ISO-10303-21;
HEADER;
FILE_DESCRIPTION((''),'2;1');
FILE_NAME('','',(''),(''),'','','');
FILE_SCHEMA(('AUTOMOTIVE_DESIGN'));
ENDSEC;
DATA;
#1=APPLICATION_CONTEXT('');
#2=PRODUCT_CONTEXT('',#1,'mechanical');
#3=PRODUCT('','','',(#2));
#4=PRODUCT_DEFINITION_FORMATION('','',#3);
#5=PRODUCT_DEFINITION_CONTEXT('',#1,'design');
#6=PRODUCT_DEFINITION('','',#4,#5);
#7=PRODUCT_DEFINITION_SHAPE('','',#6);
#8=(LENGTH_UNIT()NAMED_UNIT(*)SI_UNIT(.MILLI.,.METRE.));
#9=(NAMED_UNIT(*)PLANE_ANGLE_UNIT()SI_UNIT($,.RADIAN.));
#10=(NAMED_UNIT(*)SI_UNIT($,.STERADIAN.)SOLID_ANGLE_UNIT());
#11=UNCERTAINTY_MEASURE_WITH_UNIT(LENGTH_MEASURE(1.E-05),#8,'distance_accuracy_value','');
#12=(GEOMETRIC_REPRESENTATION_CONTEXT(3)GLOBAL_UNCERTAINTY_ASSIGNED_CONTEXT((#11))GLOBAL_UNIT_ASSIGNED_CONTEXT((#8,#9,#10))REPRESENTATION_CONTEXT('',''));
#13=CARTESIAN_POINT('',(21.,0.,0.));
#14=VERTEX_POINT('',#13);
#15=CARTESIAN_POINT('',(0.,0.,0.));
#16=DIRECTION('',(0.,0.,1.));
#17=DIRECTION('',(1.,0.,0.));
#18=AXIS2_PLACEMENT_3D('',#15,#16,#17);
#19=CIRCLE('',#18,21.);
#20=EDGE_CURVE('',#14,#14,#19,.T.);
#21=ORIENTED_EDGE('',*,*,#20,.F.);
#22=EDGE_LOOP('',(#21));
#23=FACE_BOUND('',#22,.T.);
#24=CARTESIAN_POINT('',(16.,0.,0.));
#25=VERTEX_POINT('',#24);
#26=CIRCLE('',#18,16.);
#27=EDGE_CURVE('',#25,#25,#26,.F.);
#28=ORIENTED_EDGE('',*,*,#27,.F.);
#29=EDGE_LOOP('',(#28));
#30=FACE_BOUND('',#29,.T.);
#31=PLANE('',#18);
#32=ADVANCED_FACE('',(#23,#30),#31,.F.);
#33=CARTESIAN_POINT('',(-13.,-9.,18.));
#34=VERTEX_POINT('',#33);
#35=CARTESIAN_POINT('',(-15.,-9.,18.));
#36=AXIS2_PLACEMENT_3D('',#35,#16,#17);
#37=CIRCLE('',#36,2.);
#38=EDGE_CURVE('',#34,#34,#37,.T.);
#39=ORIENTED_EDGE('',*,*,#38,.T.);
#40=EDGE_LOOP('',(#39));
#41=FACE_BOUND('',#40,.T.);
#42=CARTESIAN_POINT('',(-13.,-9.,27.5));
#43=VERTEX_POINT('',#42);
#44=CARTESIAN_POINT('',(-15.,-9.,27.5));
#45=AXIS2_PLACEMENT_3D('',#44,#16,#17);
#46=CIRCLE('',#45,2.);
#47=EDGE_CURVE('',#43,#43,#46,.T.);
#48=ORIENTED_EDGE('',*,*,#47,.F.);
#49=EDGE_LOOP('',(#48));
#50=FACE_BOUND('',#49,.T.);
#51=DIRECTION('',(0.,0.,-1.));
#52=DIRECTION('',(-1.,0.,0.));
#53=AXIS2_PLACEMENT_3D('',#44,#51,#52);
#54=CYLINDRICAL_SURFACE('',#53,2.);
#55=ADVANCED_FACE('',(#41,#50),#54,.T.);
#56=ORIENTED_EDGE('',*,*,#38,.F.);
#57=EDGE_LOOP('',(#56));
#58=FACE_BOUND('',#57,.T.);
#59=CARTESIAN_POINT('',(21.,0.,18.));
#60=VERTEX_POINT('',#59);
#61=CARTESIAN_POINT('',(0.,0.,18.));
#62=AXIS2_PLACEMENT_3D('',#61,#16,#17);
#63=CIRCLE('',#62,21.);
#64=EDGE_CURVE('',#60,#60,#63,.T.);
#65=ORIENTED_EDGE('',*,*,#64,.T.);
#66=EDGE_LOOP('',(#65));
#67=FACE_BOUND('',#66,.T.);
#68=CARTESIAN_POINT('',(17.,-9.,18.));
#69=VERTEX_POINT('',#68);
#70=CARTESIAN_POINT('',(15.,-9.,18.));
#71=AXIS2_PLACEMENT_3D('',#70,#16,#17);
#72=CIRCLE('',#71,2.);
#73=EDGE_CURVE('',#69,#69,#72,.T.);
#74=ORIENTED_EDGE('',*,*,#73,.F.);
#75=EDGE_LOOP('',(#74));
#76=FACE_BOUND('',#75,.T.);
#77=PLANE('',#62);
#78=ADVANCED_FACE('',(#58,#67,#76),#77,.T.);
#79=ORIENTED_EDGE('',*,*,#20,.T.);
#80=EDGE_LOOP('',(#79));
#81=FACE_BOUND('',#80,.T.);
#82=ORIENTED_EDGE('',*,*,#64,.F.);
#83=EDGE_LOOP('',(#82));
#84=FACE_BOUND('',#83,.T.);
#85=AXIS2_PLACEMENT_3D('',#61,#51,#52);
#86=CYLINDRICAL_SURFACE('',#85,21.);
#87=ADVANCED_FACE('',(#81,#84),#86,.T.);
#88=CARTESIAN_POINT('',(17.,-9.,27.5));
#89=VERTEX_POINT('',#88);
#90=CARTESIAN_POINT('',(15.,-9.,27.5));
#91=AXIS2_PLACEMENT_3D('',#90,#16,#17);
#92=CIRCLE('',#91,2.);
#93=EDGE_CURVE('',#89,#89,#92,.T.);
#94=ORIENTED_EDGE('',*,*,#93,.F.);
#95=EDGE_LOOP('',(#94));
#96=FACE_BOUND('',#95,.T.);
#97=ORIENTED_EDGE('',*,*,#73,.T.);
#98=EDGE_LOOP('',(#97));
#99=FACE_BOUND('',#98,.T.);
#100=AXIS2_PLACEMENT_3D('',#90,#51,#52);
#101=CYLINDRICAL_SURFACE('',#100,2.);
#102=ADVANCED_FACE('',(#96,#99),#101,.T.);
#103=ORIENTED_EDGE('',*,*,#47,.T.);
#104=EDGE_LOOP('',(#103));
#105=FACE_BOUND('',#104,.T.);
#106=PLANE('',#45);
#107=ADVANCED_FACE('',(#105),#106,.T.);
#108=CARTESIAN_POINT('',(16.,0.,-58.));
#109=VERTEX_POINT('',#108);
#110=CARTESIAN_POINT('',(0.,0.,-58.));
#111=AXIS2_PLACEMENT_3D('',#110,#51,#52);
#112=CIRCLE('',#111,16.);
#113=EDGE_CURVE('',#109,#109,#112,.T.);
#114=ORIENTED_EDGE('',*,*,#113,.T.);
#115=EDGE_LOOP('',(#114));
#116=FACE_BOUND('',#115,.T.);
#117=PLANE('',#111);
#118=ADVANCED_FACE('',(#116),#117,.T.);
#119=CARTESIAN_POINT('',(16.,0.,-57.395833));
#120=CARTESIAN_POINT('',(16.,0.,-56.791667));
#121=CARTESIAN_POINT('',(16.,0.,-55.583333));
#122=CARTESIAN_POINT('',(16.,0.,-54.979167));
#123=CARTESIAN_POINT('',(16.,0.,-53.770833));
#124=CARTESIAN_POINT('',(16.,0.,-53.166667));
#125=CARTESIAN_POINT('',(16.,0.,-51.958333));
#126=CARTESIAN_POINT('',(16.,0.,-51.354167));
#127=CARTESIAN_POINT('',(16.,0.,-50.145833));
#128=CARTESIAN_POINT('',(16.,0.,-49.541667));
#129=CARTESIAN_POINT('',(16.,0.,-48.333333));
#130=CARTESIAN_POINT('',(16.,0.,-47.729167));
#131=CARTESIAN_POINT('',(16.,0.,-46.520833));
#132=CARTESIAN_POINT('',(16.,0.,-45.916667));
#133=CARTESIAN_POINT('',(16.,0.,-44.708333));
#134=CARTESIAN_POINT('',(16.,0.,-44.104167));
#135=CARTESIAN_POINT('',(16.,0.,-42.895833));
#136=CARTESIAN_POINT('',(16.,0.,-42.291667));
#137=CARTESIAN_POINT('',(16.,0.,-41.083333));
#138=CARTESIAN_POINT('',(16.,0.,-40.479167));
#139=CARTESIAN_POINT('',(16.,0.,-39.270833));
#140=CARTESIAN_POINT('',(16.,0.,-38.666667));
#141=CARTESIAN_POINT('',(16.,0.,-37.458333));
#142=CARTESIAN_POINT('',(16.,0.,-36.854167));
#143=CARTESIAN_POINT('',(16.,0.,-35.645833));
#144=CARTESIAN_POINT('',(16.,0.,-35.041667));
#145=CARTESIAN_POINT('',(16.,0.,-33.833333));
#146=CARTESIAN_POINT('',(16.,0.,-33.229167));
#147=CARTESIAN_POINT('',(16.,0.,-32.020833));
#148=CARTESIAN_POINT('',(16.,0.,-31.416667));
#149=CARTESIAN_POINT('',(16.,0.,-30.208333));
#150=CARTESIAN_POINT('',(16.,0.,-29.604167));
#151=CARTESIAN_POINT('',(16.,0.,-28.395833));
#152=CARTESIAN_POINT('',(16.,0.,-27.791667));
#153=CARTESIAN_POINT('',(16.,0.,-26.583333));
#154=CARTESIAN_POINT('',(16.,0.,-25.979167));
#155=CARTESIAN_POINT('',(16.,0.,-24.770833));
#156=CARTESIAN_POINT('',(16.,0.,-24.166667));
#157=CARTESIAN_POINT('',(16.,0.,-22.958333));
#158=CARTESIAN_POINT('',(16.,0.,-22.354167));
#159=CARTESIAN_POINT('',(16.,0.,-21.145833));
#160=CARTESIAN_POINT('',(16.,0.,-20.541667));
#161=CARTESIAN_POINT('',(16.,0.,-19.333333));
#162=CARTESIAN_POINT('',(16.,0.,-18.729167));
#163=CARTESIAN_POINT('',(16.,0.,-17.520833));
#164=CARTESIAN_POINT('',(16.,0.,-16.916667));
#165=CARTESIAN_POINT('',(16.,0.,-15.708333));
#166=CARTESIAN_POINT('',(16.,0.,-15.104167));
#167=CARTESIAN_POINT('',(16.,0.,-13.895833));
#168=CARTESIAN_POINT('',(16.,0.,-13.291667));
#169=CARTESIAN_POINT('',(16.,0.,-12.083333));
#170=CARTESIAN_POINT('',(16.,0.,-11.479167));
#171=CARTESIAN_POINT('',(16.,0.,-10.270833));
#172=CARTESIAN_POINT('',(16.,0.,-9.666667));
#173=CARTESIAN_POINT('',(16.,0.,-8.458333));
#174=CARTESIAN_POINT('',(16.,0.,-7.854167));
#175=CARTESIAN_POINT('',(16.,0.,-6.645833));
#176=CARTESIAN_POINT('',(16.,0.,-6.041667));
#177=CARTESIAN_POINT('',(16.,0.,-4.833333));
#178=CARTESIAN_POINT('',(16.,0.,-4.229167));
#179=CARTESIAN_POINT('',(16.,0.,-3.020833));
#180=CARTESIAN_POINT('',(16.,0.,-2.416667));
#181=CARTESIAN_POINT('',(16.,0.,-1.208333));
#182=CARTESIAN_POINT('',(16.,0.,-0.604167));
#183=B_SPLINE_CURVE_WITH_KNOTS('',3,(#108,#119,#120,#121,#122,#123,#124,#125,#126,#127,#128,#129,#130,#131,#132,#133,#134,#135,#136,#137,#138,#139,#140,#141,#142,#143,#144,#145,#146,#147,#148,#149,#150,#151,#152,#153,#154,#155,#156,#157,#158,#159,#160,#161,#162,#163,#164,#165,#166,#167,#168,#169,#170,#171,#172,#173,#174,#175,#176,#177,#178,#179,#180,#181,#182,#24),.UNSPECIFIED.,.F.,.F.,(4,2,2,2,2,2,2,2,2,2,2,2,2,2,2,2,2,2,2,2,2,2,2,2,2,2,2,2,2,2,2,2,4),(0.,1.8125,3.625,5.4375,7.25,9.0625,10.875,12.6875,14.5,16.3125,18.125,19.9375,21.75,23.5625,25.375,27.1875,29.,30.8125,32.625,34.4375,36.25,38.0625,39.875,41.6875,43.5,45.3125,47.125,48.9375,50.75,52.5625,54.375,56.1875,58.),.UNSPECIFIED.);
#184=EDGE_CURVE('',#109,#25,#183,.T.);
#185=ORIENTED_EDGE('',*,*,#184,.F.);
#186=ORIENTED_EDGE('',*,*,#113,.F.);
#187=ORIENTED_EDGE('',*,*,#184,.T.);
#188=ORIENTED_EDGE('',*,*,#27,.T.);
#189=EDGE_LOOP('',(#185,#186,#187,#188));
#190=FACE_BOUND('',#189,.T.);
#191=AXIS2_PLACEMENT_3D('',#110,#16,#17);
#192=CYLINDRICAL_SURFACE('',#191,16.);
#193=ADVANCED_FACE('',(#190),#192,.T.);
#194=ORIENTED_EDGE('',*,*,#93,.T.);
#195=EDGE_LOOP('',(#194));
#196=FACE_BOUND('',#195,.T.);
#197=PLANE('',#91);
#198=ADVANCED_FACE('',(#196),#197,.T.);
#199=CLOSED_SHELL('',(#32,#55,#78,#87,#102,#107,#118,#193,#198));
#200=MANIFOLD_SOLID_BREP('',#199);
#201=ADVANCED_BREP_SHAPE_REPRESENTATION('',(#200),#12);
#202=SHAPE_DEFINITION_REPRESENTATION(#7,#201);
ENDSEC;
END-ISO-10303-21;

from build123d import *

# Parameters (mm, degrees)
ESQUISSE1_R        = 21
BOSS_EXTRU_1_DEPTH = 18
ESQUISSE2_R        = 16
BOSS_EXTRU_2_DEPTH = 58
ESQUISSE7_R        = 2
BOSS_EXTRU_3_DEPTH = 9.5


with BuildPart() as part:
    # Esquisse1 → Boss.-Extru.1 (new body)
    with BuildSketch(Plane.XY):
        Circle(ESQUISSE1_R)
    extrude(amount=BOSS_EXTRU_1_DEPTH)

    # Esquisse2 → Boss.-Extru.2 (add)
    with BuildSketch(Plane(origin=(0, 0, 0), x_dir=(-1, 0, 0), z_dir=(0, 0, -1))):
        with Locations(Location((0, 0, 0), (0, 0, 180))):
            Circle(ESQUISSE2_R)
    extrude(amount=BOSS_EXTRU_2_DEPTH)

    # Esquisse7 → Boss.-Extru.3 (add)
    with BuildSketch(Plane.XY.offset(18)):
        with Locations((-15, -9)):
            Circle(ESQUISSE7_R)
        with Locations((15, -9)):
            Circle(ESQUISSE7_R)
    extrude(amount=BOSS_EXTRU_3_DEPTH)


solid = part.part
